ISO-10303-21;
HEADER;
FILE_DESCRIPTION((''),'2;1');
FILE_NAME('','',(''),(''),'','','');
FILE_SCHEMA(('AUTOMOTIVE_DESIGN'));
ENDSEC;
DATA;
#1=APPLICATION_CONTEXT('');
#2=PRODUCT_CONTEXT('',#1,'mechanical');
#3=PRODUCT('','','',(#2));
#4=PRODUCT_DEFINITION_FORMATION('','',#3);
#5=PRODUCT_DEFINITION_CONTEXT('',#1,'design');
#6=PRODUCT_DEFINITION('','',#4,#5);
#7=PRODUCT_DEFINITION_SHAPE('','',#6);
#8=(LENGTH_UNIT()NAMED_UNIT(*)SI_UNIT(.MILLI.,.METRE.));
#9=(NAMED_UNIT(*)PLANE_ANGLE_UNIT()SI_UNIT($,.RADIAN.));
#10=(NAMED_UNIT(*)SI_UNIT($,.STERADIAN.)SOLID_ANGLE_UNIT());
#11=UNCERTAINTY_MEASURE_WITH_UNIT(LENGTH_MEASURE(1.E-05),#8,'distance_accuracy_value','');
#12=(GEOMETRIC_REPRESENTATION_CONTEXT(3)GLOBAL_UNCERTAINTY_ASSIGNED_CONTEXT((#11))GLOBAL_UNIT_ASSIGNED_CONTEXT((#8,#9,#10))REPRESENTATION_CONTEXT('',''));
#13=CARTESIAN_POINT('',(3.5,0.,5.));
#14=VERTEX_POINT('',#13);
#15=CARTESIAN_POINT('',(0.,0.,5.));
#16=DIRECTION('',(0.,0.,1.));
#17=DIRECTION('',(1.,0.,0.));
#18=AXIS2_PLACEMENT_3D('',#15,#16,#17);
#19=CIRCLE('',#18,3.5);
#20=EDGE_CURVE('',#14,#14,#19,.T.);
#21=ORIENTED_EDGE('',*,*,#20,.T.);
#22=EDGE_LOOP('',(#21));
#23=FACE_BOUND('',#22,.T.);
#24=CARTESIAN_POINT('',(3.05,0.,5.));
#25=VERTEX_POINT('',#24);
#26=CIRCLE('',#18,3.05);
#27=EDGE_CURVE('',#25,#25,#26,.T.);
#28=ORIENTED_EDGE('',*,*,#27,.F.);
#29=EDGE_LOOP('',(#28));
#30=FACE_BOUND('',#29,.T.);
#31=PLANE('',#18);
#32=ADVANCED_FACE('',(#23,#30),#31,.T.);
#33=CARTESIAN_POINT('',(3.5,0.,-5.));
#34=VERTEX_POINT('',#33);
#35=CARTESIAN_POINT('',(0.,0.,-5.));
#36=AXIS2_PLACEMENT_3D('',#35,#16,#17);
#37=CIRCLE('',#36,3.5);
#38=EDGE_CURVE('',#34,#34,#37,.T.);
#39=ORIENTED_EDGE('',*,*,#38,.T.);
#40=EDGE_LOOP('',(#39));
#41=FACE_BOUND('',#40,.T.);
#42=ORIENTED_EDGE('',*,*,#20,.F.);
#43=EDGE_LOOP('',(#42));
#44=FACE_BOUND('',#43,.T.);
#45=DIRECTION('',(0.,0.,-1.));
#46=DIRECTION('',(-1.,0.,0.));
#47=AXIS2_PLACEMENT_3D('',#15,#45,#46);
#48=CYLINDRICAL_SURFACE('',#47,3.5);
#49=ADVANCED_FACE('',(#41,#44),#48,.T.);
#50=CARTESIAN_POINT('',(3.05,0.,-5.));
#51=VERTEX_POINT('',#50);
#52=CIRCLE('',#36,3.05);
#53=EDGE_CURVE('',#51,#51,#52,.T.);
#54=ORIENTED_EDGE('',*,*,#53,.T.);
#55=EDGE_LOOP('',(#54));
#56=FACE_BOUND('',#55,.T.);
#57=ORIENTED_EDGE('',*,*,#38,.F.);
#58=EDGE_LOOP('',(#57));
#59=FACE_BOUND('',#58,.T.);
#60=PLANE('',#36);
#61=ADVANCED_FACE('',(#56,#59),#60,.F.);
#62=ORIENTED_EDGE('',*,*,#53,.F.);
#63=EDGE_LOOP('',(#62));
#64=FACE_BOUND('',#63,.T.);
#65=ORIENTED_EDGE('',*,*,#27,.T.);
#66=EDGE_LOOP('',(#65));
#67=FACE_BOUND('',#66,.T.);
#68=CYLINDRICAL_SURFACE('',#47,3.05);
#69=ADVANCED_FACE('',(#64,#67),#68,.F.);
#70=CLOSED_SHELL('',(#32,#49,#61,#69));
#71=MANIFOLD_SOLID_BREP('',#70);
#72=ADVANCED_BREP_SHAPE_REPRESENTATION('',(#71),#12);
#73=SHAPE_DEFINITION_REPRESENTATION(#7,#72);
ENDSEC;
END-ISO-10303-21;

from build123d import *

# Parameters (mm, degrees)
BOSS_EXTRUDE1_DEPTH      = 5
BOSS_EXTRUDE1_DEPTH_BACK = 5
SKETCH3_R                = 3.5
SKETCH3_R_2              = 3.05


with BuildPart() as part:
    # Sketch3 → Boss-Extrude1 (new, two sides: drawn at the far end of the back side and taken through both)
    with BuildSketch(Plane.XY.offset(-BOSS_EXTRUDE1_DEPTH_BACK)):
        Circle(SKETCH3_R)
        Circle(SKETCH3_R_2, mode=Mode.SUBTRACT)
    extrude(amount=BOSS_EXTRUDE1_DEPTH + BOSS_EXTRUDE1_DEPTH_BACK)


solid = part.part
